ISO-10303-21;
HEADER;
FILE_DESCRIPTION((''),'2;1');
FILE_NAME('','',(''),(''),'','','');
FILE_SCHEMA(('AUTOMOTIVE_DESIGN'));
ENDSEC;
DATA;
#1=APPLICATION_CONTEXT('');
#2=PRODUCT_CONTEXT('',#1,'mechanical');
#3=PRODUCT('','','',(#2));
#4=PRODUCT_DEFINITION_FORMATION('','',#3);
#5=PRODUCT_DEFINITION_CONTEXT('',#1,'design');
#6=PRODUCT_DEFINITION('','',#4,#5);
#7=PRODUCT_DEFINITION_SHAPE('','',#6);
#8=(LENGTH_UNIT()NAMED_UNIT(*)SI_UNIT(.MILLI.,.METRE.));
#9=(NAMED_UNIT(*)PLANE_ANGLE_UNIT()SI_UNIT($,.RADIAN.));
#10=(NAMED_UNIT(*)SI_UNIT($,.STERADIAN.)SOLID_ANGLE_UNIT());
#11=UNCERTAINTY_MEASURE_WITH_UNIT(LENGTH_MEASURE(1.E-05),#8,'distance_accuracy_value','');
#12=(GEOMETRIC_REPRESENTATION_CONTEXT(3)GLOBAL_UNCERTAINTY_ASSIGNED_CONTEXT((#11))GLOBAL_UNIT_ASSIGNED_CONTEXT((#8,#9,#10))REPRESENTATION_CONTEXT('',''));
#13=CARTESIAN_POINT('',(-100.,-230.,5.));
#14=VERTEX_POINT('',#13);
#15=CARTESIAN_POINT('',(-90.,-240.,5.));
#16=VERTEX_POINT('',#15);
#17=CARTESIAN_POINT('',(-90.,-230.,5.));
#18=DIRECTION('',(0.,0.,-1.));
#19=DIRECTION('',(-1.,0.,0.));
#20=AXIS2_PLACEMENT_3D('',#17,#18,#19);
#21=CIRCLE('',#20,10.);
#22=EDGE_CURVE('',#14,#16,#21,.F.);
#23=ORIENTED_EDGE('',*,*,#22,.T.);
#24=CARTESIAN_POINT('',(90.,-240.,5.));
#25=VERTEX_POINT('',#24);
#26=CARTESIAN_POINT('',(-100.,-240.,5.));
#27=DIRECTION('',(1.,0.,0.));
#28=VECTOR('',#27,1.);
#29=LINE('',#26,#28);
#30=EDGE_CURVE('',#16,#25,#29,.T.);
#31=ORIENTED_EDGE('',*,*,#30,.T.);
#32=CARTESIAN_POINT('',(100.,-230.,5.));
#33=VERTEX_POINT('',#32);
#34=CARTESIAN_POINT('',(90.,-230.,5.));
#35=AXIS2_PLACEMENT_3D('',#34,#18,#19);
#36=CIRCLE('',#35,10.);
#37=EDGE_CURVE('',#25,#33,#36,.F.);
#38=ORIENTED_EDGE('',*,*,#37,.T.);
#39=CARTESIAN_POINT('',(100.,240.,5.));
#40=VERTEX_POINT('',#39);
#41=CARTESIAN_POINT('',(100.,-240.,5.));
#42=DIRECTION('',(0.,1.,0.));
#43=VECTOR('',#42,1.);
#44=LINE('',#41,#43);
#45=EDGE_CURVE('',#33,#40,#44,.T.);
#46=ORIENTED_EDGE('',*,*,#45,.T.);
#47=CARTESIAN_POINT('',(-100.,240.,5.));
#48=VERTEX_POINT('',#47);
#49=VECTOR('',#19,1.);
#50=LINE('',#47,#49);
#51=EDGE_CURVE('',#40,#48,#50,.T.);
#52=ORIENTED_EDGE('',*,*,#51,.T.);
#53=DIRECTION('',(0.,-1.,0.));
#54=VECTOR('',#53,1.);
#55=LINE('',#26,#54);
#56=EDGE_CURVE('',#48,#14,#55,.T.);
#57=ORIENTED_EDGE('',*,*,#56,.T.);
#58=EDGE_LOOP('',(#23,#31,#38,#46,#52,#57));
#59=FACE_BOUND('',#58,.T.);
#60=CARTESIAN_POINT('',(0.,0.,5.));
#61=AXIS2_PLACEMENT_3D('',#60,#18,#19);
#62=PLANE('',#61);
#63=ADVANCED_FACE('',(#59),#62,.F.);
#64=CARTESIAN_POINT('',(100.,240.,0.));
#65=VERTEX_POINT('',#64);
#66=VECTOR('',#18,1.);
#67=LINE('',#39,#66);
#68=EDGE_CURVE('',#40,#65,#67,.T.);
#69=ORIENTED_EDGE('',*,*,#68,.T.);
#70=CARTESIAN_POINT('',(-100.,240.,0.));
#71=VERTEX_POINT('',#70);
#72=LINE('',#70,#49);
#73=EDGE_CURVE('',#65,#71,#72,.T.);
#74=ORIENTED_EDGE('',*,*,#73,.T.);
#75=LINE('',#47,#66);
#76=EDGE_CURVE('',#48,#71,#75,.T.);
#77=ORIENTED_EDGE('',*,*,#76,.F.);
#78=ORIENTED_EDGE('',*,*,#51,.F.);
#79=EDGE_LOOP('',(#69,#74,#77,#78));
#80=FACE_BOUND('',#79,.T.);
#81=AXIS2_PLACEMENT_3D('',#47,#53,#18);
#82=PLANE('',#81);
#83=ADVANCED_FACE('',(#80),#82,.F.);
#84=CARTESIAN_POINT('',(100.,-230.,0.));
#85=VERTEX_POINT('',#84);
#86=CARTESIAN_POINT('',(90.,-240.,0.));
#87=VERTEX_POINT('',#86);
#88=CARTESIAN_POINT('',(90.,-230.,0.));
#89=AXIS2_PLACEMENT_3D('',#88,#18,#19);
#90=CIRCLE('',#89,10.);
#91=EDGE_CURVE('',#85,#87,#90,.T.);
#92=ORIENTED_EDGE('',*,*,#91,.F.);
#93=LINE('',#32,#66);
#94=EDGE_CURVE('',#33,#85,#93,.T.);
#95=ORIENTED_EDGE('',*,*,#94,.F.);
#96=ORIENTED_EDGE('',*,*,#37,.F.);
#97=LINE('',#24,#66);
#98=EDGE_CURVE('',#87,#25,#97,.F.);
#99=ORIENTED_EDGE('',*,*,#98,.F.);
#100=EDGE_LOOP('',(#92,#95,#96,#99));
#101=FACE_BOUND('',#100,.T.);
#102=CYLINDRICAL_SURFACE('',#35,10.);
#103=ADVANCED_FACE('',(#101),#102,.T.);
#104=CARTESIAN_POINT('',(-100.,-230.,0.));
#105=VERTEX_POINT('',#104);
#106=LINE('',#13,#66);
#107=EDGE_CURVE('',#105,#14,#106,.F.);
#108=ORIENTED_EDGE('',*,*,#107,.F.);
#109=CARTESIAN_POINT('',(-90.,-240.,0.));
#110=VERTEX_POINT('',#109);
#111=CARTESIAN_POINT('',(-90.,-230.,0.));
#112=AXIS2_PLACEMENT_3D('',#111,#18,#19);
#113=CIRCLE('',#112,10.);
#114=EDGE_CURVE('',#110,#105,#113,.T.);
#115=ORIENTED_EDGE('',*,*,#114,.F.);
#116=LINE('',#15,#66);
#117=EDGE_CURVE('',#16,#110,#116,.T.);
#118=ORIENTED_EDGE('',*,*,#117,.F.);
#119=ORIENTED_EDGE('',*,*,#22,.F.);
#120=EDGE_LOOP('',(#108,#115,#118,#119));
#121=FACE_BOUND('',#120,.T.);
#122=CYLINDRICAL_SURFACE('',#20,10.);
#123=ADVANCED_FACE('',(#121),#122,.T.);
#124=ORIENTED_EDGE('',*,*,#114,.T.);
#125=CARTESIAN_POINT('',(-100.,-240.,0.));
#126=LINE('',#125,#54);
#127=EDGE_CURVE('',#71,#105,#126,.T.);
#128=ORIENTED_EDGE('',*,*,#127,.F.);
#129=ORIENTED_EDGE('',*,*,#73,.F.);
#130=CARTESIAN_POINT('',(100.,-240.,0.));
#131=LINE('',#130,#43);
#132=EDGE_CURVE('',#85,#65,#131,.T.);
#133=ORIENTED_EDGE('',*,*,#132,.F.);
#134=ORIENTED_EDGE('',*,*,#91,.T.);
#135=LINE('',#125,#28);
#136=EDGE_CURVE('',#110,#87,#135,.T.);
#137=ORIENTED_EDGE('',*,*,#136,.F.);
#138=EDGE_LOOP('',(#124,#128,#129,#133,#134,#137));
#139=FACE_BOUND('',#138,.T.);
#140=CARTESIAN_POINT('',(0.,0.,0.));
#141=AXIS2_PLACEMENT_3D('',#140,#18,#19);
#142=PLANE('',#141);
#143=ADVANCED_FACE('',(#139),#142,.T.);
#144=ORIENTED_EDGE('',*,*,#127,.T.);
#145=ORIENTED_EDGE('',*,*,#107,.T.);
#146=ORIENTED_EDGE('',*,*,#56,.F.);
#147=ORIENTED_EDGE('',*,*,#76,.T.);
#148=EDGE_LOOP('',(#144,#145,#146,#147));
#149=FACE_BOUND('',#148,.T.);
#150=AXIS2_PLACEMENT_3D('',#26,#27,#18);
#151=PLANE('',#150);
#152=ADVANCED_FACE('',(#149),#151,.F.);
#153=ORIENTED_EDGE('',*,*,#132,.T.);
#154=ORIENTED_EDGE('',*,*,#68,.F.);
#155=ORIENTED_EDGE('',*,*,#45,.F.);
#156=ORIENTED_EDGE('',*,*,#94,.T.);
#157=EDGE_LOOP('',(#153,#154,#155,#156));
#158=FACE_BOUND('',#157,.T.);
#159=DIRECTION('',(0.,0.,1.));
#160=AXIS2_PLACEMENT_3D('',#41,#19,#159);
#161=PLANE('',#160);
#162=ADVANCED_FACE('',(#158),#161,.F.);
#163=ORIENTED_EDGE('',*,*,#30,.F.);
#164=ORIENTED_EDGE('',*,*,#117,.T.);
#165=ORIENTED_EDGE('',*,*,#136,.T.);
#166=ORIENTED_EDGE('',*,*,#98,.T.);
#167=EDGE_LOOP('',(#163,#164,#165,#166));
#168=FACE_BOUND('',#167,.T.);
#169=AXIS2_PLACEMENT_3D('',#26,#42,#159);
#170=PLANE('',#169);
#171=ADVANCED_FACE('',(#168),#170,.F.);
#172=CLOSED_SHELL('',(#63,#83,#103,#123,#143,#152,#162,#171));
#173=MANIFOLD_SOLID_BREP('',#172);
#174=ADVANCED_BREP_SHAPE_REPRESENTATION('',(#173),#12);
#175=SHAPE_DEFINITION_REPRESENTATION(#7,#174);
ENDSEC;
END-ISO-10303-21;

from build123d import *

# Parameters (mm, degrees)
SKETCH_1_W      = 200
SKETCH_1_H      = 480
EXTRUDE_1_DEPTH = 5
FILLET_1_R      = 10


with BuildPart() as part:
    # 草图1 → 凸台-拉伸1 (new body)
    with BuildSketch(Plane.XY):
        Rectangle(SKETCH_1_W, SKETCH_1_H)
    extrude(amount=EXTRUDE_1_DEPTH)

    # 圆角1
    fillet_1_edges = [part.edges().sort_by_distance(p)[0] for p in [
        (100, -240, 2.5),
        (-100, -240, 2.5),
    ]]
    fillet(fillet_1_edges, radius=FILLET_1_R)


solid = part.part
